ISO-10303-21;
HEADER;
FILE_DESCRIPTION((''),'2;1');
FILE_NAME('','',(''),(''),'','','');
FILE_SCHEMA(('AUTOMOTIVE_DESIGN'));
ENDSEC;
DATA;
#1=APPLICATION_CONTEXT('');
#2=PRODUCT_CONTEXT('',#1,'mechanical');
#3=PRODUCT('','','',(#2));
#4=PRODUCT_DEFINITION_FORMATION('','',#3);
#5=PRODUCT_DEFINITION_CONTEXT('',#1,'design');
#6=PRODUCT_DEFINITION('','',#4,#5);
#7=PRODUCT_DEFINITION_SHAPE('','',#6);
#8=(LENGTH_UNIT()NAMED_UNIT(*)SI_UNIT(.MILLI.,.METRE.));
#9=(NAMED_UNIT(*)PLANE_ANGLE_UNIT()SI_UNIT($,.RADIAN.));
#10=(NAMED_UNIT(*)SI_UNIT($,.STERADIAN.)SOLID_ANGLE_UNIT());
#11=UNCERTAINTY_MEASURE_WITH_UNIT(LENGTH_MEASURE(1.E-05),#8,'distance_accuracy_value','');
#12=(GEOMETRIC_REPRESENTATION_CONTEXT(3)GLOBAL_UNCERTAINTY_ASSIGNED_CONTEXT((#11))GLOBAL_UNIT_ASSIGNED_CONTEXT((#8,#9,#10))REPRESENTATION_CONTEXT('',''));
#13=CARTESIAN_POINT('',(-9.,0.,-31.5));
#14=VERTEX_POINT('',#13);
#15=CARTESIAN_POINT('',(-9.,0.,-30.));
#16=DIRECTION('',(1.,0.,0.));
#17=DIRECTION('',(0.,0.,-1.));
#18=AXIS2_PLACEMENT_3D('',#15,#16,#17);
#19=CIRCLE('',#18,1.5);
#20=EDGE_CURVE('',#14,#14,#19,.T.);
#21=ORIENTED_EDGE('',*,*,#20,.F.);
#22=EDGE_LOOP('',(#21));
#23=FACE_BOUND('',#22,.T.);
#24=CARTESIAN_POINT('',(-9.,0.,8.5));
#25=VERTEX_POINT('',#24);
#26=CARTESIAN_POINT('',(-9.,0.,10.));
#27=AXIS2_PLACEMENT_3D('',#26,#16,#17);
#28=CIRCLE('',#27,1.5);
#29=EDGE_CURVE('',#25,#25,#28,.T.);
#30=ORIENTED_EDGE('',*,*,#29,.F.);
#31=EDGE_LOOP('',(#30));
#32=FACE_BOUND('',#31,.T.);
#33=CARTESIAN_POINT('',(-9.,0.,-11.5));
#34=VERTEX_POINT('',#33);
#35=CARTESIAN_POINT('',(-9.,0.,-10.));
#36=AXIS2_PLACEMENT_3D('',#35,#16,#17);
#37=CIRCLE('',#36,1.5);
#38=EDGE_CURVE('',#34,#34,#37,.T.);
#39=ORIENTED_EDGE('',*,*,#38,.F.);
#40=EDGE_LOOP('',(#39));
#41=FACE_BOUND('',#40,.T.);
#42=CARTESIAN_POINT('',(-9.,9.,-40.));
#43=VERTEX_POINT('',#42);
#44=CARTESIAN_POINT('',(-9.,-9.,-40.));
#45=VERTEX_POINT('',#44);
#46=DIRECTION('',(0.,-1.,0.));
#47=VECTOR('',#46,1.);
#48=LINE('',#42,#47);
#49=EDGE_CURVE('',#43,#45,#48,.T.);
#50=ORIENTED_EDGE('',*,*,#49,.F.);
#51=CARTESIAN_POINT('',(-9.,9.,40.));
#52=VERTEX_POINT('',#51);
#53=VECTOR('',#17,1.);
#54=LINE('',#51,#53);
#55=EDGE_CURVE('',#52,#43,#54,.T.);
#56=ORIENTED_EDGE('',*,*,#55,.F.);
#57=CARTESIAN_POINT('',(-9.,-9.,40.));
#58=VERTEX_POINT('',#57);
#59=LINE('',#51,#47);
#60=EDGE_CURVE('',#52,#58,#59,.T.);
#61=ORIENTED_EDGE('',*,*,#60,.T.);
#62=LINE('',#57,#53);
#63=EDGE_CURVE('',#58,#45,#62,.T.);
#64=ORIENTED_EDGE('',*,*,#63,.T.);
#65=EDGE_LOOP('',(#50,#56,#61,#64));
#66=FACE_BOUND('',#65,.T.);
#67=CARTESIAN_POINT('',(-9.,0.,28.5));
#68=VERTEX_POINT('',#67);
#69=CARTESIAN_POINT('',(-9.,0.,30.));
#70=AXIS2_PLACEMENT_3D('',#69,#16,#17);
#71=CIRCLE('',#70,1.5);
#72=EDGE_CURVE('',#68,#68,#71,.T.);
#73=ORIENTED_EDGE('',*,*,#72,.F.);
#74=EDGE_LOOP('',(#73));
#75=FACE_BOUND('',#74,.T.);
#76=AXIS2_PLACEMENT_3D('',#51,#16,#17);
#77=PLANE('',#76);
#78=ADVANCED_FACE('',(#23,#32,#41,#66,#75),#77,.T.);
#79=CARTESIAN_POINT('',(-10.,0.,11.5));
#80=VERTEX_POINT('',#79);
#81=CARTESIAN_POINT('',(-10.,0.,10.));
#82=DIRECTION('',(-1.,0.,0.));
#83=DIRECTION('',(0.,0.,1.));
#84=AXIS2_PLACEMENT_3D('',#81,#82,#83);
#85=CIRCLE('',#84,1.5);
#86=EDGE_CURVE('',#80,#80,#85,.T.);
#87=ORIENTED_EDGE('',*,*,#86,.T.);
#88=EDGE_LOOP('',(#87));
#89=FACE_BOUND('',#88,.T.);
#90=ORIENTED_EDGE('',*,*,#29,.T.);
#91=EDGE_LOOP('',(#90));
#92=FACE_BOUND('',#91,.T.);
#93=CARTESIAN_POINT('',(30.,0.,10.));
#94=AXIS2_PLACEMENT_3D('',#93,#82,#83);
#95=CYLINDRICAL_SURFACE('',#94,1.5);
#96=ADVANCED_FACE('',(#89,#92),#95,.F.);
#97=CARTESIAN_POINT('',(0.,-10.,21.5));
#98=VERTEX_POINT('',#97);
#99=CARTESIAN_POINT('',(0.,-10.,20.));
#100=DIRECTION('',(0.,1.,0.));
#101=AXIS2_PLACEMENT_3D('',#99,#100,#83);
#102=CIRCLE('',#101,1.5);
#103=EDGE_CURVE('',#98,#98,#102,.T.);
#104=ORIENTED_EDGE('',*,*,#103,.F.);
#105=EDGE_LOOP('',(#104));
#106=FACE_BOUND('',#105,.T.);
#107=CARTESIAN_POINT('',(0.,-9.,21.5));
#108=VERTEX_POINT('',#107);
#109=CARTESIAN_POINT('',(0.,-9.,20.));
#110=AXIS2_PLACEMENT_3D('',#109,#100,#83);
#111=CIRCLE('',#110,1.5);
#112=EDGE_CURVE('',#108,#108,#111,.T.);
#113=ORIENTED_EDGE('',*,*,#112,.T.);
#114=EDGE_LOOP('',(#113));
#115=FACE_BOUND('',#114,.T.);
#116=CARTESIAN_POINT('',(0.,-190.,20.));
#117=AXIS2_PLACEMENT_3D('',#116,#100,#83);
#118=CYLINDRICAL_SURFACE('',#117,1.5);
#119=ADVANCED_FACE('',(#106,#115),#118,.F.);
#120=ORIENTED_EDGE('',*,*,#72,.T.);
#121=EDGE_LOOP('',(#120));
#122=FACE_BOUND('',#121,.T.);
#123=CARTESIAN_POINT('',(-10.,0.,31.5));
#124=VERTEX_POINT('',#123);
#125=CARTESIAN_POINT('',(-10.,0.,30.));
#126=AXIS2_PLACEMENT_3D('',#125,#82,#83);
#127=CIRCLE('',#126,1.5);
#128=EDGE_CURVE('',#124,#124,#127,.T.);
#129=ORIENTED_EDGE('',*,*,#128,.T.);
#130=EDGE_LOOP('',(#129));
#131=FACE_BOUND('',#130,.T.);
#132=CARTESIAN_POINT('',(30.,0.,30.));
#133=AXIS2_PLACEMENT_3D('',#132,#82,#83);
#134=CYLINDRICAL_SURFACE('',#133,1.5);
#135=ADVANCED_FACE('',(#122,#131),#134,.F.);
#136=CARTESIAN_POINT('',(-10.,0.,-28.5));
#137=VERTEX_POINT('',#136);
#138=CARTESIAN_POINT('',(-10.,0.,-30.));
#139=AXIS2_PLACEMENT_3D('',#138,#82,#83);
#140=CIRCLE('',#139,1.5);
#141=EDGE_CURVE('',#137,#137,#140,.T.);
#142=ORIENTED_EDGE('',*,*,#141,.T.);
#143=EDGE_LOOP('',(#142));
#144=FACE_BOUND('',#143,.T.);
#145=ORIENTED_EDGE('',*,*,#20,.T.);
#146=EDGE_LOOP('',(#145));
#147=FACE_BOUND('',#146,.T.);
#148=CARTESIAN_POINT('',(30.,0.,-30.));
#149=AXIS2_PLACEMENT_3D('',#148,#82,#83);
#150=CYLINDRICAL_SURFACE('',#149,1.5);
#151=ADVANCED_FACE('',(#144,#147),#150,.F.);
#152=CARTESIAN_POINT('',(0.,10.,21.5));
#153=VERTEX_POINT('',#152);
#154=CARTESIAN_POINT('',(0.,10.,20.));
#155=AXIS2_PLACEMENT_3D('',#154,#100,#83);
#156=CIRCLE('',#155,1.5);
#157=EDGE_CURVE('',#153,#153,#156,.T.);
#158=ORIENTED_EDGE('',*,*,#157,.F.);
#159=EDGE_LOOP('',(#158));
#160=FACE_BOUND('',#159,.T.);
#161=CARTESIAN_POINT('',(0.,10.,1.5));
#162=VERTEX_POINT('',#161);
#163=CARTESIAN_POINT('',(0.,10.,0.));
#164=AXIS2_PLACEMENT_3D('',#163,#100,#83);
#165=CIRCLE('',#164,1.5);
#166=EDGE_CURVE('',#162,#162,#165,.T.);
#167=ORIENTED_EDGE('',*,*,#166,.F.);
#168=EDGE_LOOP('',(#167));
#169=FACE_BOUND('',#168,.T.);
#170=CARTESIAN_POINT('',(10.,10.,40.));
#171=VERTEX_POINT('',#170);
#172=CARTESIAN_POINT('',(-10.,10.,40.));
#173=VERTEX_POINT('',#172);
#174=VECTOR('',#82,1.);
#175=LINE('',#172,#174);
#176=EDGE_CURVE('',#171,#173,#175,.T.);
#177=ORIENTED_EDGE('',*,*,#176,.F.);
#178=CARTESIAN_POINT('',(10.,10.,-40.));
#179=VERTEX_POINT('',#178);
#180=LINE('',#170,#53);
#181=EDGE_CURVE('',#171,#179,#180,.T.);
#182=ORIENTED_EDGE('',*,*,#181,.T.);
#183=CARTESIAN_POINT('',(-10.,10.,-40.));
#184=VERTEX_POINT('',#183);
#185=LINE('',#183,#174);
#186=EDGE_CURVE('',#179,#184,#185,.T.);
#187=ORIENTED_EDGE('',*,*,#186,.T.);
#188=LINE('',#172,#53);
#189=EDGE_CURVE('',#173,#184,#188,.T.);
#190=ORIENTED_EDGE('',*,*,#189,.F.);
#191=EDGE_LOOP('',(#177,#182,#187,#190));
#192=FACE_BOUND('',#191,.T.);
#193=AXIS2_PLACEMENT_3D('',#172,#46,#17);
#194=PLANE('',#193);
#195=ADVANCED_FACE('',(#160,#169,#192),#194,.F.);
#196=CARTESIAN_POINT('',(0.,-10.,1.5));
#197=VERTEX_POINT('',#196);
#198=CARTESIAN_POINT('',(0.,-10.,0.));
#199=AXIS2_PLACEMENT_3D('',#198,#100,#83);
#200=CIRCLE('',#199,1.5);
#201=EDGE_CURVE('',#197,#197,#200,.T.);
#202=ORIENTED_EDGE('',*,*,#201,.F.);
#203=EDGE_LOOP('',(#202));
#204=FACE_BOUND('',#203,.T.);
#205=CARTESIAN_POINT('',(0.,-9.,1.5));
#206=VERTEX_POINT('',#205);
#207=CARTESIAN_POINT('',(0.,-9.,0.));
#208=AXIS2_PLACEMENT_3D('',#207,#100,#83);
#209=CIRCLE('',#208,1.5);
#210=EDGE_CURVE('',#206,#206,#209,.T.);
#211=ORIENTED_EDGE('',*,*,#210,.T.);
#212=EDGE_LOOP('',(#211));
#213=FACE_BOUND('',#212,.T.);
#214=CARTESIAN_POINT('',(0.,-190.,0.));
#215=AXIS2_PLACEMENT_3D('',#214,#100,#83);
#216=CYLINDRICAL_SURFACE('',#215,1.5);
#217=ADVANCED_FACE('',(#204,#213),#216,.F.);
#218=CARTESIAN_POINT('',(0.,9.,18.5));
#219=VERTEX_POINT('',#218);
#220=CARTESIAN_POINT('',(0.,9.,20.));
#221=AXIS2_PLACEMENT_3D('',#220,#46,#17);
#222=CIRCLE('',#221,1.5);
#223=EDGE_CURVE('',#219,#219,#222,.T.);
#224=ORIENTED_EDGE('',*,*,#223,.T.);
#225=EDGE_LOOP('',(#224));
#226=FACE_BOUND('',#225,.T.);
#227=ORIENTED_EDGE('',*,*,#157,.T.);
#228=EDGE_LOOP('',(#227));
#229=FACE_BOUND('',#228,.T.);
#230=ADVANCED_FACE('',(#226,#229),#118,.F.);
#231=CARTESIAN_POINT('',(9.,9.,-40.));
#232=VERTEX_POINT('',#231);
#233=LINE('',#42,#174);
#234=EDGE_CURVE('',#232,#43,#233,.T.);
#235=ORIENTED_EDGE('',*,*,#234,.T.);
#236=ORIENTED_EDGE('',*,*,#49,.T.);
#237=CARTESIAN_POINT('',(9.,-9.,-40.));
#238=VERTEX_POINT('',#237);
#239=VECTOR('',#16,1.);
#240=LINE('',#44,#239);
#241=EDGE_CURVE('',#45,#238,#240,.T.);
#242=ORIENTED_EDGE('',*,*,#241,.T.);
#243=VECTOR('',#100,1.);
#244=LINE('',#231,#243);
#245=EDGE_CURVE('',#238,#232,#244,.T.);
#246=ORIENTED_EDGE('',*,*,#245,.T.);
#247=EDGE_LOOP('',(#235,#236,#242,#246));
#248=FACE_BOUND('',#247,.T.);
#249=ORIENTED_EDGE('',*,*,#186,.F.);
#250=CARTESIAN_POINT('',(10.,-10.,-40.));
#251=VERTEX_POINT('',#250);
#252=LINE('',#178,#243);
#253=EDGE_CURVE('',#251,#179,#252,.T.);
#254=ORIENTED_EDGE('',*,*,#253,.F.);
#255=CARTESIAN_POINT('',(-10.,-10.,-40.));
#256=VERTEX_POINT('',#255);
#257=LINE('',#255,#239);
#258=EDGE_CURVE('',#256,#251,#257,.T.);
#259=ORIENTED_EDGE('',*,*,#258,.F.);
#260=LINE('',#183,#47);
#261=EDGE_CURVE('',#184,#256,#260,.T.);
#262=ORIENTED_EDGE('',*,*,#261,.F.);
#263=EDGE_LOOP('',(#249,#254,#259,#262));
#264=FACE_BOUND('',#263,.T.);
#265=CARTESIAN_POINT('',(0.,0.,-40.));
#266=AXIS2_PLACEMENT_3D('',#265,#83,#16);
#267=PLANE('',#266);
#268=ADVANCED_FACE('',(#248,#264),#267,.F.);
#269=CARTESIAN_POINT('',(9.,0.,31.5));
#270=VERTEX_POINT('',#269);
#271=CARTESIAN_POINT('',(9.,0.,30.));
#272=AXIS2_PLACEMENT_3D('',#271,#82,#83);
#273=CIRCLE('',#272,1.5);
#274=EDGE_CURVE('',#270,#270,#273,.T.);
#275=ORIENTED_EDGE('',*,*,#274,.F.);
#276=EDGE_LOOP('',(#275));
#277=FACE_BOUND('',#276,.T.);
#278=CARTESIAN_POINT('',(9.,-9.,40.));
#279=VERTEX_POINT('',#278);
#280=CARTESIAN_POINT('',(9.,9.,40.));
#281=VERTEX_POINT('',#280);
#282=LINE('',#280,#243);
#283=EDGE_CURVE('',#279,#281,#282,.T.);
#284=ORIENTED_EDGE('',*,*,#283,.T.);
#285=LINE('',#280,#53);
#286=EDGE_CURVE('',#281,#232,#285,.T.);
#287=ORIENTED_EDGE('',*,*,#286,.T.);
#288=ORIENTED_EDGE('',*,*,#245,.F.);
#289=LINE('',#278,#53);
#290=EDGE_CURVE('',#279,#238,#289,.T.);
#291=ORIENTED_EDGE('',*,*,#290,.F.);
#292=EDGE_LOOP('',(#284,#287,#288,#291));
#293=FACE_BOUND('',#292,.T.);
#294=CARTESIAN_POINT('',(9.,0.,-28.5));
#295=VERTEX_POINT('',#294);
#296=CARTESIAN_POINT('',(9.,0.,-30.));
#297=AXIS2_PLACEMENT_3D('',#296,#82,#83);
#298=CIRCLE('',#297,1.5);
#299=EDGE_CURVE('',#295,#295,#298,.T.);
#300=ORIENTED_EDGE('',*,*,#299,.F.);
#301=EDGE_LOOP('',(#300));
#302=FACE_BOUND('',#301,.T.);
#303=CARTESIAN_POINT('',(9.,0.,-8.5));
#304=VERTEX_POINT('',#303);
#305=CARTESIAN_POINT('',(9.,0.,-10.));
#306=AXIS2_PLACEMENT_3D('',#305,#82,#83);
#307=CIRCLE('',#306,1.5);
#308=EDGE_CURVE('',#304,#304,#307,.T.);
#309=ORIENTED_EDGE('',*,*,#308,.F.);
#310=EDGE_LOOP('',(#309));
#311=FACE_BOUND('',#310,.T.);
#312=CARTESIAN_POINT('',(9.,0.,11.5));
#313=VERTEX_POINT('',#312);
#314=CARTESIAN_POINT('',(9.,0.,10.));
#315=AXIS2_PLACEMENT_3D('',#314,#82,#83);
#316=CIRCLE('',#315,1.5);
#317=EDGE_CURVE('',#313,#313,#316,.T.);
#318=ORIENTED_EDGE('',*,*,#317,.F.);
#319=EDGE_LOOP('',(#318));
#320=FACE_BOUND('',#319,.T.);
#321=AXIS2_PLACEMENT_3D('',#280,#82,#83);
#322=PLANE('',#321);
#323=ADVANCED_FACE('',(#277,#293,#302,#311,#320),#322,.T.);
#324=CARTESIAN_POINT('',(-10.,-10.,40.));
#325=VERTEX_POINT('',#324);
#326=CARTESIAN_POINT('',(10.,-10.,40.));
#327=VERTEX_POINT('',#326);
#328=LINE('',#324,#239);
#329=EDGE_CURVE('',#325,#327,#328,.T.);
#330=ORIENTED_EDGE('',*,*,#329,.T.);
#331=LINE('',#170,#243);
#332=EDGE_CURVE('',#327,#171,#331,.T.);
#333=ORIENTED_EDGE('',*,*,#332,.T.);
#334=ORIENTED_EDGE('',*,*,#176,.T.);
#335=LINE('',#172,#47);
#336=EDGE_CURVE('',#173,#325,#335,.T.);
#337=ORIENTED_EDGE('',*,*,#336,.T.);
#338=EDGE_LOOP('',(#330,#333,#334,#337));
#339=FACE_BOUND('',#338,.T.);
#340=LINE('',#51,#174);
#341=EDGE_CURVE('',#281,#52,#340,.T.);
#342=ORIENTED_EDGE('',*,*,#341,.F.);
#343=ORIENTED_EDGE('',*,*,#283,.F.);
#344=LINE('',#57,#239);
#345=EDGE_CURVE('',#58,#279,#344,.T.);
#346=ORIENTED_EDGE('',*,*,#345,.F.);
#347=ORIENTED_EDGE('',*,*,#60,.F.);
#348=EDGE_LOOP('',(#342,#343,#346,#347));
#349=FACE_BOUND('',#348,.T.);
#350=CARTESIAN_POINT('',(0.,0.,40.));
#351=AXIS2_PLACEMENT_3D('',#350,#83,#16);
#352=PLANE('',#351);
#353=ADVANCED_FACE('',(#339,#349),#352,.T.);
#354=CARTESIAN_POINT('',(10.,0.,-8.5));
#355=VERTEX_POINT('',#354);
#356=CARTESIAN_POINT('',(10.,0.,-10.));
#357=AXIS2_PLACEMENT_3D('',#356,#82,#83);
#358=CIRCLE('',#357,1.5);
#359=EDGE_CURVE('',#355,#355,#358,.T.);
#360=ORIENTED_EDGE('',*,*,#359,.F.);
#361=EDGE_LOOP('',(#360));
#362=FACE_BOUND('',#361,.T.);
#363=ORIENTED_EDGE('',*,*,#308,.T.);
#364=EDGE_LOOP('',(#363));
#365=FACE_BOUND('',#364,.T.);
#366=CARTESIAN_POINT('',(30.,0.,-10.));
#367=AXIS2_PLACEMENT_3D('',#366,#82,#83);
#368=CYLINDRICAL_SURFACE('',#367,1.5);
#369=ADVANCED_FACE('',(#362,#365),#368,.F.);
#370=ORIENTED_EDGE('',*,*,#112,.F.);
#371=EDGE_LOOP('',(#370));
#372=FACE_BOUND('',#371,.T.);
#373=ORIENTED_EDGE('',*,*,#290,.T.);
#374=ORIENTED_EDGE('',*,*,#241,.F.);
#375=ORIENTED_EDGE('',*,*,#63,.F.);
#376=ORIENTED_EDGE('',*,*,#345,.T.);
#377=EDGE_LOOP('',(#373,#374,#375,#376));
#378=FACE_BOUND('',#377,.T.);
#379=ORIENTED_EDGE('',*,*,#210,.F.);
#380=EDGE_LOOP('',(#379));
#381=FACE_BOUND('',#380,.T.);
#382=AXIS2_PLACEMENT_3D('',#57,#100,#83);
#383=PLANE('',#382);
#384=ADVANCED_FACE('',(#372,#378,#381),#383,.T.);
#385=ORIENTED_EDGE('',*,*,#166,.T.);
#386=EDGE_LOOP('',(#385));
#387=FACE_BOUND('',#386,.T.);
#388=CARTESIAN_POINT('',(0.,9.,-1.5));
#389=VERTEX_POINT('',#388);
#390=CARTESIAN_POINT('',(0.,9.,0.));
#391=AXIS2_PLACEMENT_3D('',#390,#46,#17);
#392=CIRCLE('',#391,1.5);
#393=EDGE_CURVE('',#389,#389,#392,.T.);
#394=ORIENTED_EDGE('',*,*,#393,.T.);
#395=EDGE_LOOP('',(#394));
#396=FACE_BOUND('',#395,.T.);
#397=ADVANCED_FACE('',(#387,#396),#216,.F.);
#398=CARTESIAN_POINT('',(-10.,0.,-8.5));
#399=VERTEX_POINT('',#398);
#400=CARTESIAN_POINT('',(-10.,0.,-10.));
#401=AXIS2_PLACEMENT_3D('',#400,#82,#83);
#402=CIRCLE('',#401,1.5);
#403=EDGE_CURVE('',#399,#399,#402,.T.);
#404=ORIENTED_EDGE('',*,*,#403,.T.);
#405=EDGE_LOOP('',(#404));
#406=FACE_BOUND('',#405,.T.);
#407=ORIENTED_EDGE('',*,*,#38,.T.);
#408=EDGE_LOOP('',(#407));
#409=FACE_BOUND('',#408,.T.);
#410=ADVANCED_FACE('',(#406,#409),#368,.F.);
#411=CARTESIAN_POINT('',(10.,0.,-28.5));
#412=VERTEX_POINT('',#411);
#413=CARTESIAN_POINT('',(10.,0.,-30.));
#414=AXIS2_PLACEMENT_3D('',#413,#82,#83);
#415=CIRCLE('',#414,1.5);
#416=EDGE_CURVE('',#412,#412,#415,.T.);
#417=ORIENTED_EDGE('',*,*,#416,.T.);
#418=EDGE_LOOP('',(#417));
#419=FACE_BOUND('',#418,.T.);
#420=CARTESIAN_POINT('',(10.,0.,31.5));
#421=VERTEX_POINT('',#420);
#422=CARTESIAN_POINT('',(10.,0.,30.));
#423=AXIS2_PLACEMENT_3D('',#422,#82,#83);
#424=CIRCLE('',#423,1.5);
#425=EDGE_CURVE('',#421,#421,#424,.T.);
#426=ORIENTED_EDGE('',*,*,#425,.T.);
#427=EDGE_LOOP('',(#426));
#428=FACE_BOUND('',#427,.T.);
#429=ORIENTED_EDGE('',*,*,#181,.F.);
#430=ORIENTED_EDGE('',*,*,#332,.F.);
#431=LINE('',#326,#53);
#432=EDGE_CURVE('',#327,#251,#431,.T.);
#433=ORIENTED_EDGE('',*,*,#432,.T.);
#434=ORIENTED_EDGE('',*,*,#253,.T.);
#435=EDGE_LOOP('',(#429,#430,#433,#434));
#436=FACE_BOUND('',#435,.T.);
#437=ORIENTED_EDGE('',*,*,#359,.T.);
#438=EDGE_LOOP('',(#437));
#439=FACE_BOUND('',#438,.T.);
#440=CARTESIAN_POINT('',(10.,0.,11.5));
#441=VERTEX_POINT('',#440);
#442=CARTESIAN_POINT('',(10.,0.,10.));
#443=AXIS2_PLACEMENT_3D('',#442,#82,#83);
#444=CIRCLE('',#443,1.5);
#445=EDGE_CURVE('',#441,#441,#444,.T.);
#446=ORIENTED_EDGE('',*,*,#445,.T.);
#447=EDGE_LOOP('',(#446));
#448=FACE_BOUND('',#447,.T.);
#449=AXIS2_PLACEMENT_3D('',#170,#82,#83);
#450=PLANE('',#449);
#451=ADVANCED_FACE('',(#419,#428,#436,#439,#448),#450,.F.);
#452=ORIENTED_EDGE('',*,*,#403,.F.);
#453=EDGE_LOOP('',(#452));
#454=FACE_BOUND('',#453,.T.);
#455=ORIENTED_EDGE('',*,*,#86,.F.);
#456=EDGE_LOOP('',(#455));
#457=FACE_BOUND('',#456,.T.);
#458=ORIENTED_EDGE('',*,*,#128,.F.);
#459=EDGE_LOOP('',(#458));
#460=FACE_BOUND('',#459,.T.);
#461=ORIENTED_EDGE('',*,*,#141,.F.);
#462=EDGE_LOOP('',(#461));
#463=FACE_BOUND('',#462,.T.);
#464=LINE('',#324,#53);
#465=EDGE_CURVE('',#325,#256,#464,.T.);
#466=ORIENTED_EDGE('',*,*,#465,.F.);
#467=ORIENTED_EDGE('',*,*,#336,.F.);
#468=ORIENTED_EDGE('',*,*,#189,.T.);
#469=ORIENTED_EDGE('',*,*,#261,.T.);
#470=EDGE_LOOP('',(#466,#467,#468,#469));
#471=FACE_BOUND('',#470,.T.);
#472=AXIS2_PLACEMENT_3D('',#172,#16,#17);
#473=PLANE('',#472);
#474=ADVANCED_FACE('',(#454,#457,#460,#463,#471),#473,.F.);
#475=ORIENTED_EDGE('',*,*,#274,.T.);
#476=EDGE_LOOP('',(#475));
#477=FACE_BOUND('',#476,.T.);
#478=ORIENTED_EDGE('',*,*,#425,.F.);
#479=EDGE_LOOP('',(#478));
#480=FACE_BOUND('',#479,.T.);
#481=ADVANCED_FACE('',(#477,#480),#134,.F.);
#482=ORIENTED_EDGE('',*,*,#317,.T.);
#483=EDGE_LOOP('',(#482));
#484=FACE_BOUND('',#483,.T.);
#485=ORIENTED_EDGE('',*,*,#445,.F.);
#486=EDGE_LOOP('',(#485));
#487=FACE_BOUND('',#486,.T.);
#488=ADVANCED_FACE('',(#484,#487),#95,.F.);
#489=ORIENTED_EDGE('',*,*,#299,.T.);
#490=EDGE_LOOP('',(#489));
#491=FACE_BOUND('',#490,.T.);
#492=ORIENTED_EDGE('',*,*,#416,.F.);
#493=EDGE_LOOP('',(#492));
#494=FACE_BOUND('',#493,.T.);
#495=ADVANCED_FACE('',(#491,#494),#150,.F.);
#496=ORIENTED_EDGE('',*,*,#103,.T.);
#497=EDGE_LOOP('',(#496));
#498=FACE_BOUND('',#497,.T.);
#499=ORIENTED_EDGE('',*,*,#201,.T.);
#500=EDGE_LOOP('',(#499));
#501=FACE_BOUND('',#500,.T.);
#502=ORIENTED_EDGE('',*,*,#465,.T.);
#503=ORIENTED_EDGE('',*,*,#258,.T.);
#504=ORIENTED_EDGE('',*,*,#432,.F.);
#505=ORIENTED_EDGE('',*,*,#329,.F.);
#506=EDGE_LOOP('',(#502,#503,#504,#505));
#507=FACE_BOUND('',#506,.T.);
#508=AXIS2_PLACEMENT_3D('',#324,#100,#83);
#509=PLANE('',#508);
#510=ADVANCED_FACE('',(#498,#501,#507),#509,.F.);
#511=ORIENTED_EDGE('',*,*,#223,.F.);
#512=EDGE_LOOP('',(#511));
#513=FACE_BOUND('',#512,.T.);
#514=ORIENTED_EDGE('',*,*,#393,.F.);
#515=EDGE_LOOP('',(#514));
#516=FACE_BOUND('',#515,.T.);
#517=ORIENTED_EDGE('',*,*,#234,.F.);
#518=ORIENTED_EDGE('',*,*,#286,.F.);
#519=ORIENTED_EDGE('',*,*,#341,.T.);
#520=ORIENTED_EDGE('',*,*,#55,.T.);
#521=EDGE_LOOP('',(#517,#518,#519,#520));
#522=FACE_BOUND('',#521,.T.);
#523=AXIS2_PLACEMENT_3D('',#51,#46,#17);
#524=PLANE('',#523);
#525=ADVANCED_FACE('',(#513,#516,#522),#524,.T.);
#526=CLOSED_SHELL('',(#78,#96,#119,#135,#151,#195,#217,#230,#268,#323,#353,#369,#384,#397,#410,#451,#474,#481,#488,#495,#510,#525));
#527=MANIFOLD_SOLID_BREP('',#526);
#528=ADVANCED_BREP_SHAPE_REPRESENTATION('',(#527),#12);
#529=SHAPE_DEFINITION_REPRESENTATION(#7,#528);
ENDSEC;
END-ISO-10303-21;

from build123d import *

# Parameters (mm, degrees)
SKETCH_1_W          = 20
SKETCH_1_H          = 20
SKETCH_1_W_2        = 18
SKETCH_1_H_2        = 18
EXTRUDE_1_DEPTH     = 40
SKETCH_2_R          = 1.5
CUT_EXTRUDE_1_DEPTH = 200
SKETCH_3_R          = 1.5
CUT_EXTRUDE_2_DEPTH = 40


with BuildPart() as part:
    # 草图1 → 凸台-拉伸1 (new, symmetric)
    with BuildSketch(Plane.XY):
        Rectangle(SKETCH_1_W, SKETCH_1_H)
        Rectangle(SKETCH_1_W_2, SKETCH_1_H_2, mode=Mode.SUBTRACT)
    extrude(amount=EXTRUDE_1_DEPTH, both=True)

    # 草图2 → 切除-拉伸1 (cut)
    with BuildSketch(Plane(origin=(0, 10, 0), x_dir=(1, 0, 0), z_dir=(0, 1, 0))):
        with Locations(Location((0, -20, 0), (0, 0, 270))):
            Circle(SKETCH_2_R)
        with Locations(Location((0, 0, 0), (0, 0, 270))):
            Circle(SKETCH_2_R)
    extrude(amount=-CUT_EXTRUDE_1_DEPTH, mode=Mode.SUBTRACT)

    # 草图3 → 切除-拉伸2 (cut)
    with BuildSketch(Plane.ZY.offset(10)):
        with Locations((10, 0)):
            Circle(SKETCH_3_R)
        with Locations((-10, 0)):
            Circle(SKETCH_3_R)
        with Locations((30, 0)):
            Circle(SKETCH_3_R)
        with Locations((-30, 0)):
            Circle(SKETCH_3_R)
    extrude(amount=-CUT_EXTRUDE_2_DEPTH, mode=Mode.SUBTRACT)


solid = part.part
